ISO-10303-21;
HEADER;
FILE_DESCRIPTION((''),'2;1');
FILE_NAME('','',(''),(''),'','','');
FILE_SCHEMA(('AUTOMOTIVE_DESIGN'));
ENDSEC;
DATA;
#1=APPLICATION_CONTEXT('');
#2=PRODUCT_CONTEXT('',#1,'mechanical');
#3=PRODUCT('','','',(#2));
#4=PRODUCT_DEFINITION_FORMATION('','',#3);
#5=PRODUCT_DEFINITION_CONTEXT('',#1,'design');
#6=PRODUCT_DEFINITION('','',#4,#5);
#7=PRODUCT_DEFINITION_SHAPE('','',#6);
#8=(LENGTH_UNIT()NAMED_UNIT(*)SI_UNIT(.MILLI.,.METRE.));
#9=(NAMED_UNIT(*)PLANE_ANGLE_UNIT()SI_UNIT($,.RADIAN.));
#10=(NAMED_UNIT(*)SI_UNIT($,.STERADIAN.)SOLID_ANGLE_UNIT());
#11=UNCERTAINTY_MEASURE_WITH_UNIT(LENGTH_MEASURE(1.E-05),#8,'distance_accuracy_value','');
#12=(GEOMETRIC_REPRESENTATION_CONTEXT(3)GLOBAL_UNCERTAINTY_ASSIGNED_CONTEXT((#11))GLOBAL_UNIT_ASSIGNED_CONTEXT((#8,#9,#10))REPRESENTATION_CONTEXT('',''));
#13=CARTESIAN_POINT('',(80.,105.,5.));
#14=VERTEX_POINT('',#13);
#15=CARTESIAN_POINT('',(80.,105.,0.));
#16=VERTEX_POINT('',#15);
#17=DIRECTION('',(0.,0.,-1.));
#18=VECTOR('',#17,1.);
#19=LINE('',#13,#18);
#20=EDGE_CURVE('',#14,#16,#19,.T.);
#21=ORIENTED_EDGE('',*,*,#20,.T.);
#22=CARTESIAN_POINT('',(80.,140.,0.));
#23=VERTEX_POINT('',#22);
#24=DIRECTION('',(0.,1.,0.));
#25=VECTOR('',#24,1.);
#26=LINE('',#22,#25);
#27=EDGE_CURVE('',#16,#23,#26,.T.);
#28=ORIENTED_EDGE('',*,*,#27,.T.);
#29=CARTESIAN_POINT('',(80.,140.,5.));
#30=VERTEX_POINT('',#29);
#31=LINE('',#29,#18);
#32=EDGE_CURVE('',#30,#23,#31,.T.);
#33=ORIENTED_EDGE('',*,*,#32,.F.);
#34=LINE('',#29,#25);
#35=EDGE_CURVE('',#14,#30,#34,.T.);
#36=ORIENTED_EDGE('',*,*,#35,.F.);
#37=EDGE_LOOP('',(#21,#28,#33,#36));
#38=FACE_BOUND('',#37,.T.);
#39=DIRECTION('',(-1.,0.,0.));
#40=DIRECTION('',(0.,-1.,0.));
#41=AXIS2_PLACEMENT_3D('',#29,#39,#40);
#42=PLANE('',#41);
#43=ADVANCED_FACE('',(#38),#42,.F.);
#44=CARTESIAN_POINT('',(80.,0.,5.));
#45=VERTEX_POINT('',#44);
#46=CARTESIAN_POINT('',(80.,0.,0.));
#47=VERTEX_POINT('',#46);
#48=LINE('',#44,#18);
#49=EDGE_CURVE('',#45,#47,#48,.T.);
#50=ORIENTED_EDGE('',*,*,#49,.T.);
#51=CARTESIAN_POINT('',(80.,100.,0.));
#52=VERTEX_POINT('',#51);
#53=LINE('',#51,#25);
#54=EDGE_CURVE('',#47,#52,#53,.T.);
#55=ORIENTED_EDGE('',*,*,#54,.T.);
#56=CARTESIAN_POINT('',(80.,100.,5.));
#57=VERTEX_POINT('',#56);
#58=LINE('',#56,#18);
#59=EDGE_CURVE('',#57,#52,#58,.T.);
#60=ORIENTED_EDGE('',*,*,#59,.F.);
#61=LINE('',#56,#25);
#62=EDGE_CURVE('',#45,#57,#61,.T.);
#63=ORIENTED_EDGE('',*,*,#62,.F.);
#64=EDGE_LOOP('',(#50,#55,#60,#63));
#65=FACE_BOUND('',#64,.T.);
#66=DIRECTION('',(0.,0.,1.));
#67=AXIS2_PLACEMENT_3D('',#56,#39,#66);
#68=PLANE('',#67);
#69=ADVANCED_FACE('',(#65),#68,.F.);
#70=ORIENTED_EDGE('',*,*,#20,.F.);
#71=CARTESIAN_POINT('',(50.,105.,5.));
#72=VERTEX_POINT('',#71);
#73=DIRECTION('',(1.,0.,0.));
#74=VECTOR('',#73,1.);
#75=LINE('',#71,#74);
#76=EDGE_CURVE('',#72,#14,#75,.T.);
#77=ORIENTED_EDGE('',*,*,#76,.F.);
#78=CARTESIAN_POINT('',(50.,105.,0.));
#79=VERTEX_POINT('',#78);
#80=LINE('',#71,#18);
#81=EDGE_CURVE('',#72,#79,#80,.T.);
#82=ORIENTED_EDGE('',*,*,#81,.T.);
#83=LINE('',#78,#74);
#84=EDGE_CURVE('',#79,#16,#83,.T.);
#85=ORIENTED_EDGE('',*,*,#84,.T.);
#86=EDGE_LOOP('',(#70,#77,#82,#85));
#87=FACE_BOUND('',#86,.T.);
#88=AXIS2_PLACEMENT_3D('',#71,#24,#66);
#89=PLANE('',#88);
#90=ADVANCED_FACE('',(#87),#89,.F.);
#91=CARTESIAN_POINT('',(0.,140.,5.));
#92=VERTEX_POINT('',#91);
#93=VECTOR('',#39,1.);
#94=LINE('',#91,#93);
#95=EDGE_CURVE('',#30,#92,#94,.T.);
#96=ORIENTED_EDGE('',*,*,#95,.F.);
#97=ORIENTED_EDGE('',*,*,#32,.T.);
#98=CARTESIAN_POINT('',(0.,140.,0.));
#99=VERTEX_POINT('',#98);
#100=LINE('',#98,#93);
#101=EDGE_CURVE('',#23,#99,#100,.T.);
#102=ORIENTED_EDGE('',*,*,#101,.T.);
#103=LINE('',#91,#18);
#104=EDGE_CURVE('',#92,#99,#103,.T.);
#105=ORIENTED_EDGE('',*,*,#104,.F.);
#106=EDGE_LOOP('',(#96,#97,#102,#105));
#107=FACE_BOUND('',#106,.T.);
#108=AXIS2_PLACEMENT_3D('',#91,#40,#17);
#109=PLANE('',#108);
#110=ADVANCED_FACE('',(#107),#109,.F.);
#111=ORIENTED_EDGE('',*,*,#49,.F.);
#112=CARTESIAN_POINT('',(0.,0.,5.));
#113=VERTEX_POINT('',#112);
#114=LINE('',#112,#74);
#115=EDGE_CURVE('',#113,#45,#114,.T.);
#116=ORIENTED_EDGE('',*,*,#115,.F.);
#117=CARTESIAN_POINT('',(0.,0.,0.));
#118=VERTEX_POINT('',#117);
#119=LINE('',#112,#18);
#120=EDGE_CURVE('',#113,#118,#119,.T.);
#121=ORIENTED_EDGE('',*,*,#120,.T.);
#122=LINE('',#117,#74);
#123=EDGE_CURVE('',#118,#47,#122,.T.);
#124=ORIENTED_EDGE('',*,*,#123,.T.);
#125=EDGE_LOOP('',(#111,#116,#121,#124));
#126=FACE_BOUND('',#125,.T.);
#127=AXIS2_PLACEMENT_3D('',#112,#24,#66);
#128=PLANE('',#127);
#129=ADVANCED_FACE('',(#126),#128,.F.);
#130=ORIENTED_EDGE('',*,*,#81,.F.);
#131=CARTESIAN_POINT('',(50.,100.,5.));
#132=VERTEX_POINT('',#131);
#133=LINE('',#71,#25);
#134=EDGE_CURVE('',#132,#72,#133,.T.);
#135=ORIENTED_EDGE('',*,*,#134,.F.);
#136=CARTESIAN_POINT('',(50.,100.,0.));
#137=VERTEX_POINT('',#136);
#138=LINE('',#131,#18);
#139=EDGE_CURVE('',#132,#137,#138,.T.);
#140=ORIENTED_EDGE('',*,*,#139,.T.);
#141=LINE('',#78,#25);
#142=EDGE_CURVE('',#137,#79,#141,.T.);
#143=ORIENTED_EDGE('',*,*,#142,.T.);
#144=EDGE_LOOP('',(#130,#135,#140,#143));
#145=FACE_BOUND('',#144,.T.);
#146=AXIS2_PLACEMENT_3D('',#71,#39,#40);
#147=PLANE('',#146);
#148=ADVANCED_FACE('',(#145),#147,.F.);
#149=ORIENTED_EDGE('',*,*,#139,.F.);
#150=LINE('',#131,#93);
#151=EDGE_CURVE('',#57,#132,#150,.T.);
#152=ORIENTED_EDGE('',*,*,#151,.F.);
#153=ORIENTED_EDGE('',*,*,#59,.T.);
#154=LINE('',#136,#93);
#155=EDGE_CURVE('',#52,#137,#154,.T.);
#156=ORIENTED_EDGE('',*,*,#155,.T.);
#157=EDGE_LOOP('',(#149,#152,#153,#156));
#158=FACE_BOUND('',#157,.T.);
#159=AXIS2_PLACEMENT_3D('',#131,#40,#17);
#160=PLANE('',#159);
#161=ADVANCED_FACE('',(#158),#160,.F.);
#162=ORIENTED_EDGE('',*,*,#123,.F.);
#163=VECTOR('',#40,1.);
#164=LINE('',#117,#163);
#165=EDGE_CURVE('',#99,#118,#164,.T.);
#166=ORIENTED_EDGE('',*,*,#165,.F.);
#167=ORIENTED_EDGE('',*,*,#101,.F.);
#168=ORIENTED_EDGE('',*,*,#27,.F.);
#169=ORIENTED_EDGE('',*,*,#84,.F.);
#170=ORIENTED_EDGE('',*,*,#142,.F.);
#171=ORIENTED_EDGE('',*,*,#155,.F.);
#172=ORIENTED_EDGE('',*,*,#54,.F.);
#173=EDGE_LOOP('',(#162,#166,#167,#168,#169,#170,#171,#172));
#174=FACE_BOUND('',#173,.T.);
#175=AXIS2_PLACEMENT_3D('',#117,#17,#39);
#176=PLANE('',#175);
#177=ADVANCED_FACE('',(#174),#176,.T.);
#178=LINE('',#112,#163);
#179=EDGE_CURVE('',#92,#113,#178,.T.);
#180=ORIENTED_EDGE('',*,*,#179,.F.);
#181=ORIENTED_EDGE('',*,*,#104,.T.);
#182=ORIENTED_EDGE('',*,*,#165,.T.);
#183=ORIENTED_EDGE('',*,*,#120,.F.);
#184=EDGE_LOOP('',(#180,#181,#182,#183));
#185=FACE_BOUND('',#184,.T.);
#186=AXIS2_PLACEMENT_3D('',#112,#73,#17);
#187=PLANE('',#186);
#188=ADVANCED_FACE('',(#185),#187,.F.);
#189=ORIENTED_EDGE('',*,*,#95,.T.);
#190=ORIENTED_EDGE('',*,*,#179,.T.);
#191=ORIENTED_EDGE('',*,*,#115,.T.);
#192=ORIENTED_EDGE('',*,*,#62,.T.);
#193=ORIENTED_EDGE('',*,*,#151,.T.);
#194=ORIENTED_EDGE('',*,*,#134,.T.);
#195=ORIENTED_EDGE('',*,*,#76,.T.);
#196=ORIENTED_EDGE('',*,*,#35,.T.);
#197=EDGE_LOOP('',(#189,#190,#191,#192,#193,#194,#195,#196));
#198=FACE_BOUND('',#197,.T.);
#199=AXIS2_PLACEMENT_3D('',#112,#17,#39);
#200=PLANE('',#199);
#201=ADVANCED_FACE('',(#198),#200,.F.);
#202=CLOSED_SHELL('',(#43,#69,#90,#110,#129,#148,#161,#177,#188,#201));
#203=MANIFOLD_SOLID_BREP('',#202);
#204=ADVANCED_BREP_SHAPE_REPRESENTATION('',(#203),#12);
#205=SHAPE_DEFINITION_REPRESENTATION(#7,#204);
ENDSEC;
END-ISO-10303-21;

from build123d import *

# Parameters (mm, degrees)
BOSS_EXTRU_1_DEPTH = 5


with BuildPart() as part:
    # Esquisse1 → Boss.-Extru.1 (new body)
    with BuildSketch(Plane.XY):
        Polygon((80, 140), (80, 105), (50, 105), (50, 100), (80, 100), (80, 0), (0, 0), (0, 140), align=None)
    extrude(amount=BOSS_EXTRU_1_DEPTH)


solid = part.part
